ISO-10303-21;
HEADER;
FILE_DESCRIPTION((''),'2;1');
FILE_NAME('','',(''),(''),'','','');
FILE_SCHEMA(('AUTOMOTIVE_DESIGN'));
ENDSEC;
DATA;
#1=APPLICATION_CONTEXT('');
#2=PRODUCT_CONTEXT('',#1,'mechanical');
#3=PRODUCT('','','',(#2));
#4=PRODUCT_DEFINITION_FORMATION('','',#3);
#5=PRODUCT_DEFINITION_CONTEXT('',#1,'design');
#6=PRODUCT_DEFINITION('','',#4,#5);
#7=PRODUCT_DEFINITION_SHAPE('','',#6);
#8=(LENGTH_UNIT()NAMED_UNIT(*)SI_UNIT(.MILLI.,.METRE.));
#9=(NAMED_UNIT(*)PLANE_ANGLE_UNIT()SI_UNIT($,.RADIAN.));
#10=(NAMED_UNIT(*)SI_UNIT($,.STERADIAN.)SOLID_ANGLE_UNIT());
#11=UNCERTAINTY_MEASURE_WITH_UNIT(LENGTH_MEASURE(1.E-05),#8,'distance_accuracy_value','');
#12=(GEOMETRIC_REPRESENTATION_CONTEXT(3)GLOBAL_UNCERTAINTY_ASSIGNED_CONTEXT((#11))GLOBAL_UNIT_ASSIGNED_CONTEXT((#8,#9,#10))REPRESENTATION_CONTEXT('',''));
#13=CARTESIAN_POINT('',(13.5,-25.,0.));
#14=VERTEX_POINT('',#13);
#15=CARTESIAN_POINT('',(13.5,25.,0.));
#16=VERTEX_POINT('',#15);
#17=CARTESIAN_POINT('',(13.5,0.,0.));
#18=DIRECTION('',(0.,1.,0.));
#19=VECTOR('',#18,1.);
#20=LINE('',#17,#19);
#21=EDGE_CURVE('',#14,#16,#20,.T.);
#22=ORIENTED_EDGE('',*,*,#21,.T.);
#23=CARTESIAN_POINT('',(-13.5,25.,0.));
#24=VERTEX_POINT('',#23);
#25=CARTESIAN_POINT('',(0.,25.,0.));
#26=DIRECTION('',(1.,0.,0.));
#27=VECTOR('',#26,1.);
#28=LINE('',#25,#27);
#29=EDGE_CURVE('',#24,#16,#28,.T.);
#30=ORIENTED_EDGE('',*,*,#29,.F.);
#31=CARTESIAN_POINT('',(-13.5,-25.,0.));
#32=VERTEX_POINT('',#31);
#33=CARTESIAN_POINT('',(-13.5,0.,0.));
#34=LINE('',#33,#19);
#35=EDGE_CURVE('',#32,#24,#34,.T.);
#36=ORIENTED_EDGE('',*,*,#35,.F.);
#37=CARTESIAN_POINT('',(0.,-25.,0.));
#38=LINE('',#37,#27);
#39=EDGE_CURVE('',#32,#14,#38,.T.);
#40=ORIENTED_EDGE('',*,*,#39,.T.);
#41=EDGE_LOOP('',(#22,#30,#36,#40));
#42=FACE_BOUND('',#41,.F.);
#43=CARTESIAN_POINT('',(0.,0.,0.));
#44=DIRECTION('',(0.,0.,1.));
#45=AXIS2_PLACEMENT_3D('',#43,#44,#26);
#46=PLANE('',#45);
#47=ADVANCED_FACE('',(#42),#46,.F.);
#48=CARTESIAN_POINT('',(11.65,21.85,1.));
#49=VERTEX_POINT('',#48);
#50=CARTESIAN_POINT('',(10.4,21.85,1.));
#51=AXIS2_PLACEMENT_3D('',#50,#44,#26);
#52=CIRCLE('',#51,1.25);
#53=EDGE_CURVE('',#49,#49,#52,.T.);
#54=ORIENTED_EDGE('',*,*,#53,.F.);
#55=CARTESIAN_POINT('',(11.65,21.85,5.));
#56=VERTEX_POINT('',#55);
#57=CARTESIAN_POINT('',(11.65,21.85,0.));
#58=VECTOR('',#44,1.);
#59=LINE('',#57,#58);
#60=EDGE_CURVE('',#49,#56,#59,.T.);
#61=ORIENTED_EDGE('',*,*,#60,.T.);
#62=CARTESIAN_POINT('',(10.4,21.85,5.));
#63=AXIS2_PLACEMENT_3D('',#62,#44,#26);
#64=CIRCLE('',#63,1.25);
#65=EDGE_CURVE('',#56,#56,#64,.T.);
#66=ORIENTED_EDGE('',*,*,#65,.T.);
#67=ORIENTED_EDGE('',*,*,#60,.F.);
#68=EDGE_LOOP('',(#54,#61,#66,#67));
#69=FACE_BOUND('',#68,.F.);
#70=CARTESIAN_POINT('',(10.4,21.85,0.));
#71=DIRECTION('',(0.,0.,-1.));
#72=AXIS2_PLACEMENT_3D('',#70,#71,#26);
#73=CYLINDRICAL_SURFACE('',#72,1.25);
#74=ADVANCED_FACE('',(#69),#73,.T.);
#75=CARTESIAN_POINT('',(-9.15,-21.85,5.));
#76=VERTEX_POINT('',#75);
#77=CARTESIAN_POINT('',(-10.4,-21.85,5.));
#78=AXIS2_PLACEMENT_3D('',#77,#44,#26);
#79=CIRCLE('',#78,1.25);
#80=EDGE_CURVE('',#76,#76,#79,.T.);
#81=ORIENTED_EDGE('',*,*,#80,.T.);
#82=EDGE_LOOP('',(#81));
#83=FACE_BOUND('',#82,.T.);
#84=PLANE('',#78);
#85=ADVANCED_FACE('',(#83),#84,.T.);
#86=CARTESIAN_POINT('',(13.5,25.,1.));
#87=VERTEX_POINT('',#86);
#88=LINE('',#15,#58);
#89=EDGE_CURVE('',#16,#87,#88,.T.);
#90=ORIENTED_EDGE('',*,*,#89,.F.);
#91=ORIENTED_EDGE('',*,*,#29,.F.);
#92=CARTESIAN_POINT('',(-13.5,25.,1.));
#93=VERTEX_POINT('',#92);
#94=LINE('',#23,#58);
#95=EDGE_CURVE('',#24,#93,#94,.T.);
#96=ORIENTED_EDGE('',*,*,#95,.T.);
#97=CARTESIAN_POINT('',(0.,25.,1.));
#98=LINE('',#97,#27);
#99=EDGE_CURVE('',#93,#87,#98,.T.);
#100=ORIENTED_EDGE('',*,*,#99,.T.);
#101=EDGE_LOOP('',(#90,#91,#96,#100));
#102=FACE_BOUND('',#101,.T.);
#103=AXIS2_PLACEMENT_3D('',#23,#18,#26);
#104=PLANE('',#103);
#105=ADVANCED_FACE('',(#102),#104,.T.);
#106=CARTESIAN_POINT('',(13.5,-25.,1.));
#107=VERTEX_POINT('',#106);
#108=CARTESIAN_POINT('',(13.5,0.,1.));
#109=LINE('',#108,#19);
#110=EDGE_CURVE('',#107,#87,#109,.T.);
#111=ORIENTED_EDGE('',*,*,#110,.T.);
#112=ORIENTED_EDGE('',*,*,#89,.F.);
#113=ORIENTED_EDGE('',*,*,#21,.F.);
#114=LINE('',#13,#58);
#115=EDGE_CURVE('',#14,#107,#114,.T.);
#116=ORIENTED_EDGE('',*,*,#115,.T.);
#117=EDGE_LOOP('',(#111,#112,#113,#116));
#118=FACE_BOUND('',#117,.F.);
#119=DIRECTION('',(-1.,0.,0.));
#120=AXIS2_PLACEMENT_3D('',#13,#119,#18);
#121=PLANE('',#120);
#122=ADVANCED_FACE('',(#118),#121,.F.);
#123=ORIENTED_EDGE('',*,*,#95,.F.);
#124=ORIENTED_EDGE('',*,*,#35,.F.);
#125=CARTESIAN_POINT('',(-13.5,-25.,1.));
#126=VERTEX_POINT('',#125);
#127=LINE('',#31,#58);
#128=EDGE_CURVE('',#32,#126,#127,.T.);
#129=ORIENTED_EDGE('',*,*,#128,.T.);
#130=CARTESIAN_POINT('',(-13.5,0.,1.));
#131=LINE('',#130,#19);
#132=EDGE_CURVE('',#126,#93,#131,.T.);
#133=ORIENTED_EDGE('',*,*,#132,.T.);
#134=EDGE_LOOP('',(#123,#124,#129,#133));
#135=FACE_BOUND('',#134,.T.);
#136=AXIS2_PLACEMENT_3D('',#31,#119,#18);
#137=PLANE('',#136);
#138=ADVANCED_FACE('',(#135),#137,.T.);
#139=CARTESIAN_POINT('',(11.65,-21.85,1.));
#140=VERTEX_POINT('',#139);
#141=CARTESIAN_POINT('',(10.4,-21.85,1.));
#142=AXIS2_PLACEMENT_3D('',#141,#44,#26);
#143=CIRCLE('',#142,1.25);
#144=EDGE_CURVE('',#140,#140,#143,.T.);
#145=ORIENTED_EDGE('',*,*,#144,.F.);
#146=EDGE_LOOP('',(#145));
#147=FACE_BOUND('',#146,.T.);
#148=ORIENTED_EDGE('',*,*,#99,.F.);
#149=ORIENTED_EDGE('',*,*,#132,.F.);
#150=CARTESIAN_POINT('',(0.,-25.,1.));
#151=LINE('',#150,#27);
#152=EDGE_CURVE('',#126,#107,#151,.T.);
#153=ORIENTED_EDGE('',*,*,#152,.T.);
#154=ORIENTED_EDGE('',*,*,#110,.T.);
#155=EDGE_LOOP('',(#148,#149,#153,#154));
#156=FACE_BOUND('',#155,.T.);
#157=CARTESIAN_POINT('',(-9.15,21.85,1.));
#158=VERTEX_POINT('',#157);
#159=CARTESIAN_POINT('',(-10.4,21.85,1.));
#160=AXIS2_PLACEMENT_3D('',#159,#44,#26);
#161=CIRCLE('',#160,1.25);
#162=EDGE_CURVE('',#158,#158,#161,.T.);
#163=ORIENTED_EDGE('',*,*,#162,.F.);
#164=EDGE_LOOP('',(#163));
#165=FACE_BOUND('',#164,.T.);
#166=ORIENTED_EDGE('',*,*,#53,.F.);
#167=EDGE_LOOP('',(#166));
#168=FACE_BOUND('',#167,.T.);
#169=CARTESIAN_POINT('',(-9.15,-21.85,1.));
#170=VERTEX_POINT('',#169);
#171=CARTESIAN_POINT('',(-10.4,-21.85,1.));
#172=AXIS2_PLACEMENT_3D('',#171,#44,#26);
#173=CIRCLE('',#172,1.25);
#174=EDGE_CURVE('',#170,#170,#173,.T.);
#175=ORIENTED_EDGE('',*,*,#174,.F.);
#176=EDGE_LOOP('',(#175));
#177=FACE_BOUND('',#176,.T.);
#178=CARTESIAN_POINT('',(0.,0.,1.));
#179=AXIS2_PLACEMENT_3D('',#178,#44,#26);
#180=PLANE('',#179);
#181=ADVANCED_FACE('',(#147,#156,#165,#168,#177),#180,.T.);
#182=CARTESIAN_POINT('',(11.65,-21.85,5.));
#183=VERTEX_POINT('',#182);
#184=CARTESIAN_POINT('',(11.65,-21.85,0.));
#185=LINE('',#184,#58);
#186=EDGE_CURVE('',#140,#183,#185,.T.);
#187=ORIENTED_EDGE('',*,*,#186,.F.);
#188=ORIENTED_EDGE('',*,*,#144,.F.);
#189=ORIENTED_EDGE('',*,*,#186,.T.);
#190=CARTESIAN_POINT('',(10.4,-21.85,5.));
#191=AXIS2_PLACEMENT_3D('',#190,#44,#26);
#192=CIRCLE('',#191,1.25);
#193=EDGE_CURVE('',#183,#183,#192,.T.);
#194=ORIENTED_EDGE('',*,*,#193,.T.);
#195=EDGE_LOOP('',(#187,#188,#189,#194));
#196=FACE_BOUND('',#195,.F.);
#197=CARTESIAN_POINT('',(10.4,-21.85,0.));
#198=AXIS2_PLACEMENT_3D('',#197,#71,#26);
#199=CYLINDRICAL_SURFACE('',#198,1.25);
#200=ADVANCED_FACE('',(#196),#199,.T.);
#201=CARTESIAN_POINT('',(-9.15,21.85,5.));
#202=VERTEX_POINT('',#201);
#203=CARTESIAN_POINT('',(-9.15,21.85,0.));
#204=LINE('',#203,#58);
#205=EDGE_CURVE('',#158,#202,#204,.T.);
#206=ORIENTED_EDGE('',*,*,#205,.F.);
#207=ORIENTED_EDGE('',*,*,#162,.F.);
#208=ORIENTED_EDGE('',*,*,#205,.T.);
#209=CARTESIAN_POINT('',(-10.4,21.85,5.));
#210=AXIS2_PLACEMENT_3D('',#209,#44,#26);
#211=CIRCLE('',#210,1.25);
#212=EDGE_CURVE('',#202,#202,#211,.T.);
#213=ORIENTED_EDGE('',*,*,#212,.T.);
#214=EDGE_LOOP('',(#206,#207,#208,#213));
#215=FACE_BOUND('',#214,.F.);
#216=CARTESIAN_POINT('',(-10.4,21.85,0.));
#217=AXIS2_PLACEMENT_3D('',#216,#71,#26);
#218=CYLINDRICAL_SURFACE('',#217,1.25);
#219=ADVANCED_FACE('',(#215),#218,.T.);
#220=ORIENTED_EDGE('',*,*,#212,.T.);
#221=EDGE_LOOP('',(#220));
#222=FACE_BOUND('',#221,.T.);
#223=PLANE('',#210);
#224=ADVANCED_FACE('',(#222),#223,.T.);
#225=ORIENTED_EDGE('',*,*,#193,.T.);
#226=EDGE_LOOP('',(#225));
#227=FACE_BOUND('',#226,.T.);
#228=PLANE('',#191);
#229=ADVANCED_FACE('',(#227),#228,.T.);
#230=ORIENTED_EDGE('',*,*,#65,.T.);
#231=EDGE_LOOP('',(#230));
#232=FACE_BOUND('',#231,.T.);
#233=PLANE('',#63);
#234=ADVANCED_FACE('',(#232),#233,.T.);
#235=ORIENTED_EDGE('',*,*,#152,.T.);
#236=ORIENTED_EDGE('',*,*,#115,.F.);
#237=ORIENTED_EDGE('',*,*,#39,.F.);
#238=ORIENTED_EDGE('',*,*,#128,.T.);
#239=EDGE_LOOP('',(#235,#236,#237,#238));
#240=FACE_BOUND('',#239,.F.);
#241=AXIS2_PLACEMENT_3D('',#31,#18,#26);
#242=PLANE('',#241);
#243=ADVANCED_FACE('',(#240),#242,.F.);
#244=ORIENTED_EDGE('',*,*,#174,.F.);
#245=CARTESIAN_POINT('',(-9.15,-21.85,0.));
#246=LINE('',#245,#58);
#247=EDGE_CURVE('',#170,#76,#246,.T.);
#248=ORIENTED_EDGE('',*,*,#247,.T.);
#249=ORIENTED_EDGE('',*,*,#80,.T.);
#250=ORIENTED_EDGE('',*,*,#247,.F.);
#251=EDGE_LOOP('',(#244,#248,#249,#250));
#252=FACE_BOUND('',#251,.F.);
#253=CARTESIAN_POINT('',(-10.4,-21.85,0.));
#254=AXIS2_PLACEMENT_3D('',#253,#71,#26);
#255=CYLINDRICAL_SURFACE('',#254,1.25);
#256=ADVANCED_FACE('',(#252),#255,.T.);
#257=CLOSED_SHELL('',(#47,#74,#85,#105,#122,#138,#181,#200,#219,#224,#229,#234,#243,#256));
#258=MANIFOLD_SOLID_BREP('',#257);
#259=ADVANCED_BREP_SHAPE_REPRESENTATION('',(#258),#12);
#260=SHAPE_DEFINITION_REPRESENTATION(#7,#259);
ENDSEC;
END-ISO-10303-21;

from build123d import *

# Parameters (mm, degrees)
F0_R     = 1.25
F1_DEPTH = 5
F0_W     = 27
F0_H     = 50
F2_DEPTH = 1


with BuildPart() as f1:
    # F0 (on Top) → F1 (new body)
    with BuildSketch(Plane.XY):
        with Locations((-10.4, 21.85)):
            Circle(F0_R)
    extrude(amount=F1_DEPTH)



with BuildPart() as f1b:
    # F0 (on Top) → F1, piece 2 (new body)
    with BuildSketch(Plane.XY):
        with Locations((-10.4, -21.85)):
            Circle(F0_R)
    extrude(amount=F1_DEPTH)


with BuildPart() as f1c:
    # F0 (on Top) → F1, piece 3 (new body)
    with BuildSketch(Plane.XY):
        with Locations((10.4, -21.85)):
            Circle(F0_R)
    extrude(amount=F1_DEPTH)


with BuildPart() as f1d:
    # F0 (on Top) → F1, piece 4 (new body)
    with BuildSketch(Plane.XY):
        with Locations((10.4, 21.85)):
            Circle(F0_R)
    extrude(amount=F1_DEPTH)


with BuildPart() as f1_1:
    add(f1.part)

    add(f1b.part)  # F2 merges F1b

    add(f1c.part)  # F2 merges F1c

    add(f1d.part)  # F2 merges F1d
    # F0 (on Top) → F2 (join)
    with BuildSketch(Plane.XY):
        Rectangle(F0_W, F0_H)
        with Locations((-10.4, -21.85)):
            Circle(F0_R, mode=Mode.SUBTRACT)
        with Locations((10.4, -21.85)):
            Circle(F0_R, mode=Mode.SUBTRACT)
        with Locations((-10.4, 21.85)):
            Circle(F0_R, mode=Mode.SUBTRACT)
        with Locations((10.4, 21.85)):
            Circle(F0_R, mode=Mode.SUBTRACT)
    extrude(amount=F2_DEPTH)


solid = f1_1.part
